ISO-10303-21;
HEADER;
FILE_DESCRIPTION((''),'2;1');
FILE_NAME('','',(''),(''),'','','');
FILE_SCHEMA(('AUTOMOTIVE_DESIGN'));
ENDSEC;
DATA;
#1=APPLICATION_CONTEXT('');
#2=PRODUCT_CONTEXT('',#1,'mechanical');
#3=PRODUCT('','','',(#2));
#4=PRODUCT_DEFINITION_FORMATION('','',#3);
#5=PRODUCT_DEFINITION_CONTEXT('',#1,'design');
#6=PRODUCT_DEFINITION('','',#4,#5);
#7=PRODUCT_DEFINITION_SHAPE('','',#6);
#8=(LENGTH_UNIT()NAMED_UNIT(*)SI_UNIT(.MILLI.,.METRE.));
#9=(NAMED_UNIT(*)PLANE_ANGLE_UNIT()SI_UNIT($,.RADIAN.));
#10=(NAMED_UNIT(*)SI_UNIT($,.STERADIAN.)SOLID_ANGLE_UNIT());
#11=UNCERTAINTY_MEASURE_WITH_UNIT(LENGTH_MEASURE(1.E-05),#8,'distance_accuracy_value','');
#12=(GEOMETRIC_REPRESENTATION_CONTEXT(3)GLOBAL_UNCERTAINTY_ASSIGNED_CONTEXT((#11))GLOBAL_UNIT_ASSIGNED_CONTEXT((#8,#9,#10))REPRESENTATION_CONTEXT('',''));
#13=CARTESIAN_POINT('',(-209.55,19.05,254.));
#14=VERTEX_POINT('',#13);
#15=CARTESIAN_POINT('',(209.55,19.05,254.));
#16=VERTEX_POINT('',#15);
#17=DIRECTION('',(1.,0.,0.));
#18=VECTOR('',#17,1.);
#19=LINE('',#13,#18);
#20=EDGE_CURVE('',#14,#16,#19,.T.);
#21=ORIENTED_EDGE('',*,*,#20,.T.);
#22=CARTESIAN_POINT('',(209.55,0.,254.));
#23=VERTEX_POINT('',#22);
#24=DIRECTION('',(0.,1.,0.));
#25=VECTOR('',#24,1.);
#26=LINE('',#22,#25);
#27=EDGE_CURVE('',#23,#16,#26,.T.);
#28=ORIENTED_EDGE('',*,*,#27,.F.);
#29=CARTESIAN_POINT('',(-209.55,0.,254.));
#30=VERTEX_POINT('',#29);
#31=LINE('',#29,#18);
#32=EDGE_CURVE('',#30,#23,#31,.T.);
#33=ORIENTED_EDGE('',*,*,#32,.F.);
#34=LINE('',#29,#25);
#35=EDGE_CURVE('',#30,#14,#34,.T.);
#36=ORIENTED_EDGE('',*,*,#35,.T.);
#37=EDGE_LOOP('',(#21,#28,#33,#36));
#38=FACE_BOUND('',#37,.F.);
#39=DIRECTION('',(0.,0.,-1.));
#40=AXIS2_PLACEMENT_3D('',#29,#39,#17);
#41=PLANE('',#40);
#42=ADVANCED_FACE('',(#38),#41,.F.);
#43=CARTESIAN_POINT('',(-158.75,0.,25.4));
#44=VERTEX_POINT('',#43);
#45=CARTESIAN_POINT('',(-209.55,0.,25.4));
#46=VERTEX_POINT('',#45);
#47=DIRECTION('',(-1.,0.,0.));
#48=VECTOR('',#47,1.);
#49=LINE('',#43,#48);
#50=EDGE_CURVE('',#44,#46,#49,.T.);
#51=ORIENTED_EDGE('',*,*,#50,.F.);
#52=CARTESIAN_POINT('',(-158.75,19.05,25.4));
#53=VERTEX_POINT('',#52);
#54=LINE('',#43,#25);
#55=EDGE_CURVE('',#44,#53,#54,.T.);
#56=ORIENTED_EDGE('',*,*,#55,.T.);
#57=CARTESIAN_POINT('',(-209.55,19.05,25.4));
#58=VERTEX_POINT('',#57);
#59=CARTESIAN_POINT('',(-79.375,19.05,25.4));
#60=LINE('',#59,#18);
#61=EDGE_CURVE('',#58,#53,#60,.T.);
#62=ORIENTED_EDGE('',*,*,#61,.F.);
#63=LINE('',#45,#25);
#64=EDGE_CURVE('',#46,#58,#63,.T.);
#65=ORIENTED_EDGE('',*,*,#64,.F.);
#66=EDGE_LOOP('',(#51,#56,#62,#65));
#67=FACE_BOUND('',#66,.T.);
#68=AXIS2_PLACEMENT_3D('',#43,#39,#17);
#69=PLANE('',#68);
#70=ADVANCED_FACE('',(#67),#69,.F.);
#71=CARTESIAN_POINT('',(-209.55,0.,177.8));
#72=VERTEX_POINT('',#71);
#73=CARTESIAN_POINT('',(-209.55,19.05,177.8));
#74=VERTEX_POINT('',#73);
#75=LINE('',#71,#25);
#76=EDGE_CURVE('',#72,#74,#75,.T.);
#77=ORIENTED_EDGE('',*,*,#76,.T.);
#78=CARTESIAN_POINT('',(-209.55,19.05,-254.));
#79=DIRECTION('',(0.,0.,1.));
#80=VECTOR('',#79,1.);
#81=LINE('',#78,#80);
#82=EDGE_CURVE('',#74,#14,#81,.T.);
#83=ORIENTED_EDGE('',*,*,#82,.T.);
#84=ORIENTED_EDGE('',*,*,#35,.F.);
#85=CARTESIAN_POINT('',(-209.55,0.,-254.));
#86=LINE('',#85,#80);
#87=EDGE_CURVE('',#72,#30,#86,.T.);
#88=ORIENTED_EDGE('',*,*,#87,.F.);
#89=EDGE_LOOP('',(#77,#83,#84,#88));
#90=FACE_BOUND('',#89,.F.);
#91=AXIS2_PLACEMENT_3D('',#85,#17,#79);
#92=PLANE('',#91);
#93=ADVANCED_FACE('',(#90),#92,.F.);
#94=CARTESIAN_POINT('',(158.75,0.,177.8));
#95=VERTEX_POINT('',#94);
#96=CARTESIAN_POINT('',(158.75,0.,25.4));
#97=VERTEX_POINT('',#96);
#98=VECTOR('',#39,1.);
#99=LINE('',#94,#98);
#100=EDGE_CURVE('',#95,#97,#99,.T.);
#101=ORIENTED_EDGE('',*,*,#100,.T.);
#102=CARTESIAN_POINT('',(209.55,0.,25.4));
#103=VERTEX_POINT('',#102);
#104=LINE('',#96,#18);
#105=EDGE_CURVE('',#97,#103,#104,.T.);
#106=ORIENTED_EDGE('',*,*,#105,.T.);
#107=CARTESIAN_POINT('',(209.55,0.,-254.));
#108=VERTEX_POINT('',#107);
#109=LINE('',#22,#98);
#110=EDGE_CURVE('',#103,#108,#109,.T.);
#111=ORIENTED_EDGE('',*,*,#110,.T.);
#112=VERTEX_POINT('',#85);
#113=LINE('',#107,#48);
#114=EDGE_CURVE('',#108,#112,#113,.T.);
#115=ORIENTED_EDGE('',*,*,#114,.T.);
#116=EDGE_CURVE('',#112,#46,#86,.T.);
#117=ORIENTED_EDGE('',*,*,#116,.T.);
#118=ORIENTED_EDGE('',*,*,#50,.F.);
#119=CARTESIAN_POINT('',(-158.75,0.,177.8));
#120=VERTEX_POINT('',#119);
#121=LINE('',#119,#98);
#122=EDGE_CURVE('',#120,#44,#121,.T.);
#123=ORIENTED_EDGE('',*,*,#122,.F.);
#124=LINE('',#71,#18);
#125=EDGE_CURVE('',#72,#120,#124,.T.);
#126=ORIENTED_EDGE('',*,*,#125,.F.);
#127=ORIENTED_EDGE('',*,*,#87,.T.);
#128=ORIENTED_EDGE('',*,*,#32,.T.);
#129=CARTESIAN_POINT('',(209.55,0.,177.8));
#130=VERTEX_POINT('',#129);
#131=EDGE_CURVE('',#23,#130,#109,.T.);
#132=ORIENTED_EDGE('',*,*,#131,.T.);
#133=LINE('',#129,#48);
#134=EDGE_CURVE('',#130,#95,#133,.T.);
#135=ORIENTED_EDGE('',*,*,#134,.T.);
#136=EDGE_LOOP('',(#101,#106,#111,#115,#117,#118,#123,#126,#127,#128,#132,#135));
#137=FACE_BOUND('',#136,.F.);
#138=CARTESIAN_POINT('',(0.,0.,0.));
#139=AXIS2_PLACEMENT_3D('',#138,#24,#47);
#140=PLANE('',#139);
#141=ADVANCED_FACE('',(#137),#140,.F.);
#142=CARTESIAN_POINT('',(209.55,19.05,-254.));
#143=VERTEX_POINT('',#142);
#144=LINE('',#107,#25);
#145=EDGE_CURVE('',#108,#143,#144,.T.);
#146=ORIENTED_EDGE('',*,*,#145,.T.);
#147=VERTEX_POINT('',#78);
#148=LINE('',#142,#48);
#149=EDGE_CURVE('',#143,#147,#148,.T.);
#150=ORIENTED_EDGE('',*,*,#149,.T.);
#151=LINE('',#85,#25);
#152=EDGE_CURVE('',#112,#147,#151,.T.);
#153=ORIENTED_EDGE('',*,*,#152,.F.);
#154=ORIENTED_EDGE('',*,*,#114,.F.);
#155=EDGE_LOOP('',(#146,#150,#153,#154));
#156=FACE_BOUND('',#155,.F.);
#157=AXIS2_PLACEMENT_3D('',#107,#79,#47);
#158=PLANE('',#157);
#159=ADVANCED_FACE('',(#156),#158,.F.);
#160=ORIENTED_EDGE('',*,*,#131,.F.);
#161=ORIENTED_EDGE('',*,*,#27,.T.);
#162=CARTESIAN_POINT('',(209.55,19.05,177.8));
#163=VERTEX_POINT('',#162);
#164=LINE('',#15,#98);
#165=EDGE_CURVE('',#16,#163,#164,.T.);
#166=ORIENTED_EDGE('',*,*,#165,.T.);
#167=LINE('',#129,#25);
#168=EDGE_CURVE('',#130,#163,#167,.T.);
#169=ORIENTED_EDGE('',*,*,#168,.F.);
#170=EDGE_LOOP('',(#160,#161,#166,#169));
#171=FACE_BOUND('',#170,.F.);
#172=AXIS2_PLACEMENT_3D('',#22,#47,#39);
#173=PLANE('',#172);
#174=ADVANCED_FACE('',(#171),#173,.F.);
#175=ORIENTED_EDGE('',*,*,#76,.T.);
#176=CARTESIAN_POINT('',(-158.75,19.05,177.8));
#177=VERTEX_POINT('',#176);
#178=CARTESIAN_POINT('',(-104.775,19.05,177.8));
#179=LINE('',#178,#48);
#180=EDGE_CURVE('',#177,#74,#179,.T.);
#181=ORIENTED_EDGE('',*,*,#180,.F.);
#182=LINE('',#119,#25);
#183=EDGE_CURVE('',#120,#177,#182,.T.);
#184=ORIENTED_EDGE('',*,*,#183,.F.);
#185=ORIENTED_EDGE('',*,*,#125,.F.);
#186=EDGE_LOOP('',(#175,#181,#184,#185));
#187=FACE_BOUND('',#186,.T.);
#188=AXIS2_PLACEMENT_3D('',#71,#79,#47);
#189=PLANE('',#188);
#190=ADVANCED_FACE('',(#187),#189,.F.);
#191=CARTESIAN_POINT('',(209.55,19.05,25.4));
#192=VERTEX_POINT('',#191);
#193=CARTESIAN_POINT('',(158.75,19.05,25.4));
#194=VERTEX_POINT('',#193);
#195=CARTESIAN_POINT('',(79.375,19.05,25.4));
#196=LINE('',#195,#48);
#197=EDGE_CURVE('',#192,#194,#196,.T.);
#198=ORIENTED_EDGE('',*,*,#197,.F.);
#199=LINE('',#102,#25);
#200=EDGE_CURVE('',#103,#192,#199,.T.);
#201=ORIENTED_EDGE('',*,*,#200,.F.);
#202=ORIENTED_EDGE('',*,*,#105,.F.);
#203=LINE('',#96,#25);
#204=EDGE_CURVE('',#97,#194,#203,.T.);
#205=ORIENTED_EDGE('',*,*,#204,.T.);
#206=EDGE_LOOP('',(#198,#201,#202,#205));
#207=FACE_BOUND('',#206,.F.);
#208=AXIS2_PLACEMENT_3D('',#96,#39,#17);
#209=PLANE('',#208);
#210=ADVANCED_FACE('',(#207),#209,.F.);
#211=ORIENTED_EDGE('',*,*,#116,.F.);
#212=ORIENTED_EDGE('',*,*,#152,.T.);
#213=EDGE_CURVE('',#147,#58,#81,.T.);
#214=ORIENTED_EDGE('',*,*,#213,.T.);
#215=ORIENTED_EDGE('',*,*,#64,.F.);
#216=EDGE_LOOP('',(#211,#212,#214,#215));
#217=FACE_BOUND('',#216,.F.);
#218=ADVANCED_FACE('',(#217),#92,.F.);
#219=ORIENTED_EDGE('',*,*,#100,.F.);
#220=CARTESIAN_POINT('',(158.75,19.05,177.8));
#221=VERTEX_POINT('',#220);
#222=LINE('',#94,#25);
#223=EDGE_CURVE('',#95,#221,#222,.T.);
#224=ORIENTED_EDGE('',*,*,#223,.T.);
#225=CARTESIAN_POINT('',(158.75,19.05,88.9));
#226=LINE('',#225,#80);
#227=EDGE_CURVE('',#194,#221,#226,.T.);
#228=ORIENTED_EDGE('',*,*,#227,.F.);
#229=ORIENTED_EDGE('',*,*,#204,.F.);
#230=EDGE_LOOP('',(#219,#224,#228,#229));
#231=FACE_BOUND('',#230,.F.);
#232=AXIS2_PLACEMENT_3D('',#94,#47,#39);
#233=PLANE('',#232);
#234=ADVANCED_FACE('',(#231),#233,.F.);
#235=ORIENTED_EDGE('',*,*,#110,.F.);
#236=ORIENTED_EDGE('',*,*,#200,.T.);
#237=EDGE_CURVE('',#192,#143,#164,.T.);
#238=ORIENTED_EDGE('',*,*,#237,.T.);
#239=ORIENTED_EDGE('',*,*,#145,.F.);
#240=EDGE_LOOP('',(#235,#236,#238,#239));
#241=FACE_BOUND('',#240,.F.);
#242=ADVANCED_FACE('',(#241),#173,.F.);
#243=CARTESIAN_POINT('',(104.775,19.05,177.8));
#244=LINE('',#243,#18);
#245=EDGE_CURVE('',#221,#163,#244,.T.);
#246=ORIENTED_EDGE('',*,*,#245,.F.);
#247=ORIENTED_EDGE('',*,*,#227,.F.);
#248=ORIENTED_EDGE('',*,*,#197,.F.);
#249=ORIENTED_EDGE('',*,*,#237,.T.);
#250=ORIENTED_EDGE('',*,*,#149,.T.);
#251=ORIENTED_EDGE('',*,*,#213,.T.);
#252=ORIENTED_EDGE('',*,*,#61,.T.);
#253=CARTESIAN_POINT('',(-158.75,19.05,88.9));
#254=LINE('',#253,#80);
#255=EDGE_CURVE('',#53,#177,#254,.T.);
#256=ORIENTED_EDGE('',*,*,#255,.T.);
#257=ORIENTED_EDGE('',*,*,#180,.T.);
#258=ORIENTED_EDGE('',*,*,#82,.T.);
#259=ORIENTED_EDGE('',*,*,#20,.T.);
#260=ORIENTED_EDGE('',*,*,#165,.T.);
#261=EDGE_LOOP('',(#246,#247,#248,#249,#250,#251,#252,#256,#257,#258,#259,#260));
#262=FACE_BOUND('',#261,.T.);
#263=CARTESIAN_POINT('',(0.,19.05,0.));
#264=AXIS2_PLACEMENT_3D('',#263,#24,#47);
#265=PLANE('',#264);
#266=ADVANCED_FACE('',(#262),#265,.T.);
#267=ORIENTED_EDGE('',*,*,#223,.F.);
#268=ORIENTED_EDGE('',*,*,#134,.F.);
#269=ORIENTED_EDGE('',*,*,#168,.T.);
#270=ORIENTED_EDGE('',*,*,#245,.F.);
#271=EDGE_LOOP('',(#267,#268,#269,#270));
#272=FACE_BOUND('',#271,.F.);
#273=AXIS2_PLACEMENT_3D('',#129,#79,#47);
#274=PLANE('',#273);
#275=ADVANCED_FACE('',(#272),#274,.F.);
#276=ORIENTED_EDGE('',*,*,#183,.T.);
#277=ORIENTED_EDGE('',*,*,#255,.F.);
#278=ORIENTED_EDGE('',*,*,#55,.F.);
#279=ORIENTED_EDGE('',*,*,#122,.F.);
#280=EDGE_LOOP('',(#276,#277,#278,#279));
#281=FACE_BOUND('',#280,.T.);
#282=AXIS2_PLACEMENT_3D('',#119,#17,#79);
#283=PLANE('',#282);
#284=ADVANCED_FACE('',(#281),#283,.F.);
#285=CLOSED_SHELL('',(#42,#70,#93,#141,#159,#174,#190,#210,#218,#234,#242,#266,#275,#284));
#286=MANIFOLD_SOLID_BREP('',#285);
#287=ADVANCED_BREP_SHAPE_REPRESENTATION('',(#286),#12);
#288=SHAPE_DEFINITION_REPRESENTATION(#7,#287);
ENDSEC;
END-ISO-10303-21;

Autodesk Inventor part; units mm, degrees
ref_plane "XZ Plane" through (0, 0, 0) normal (0, 1, 0) x (-1, 0, 0)
ref_plane "XY Plane" through (0, 0, 0) normal (0, 0, 1) x (1, 0, 0)
sketch "Sketch1" plane through (0, 0, 0) normal (0, 1, 0) x (-1, 0, 0)
  line L0 (-209.55, 254) -> (-209.55, -254)
  line L1 (-209.55, -254) -> (209.55, -254)
  line L2 (209.55, -254) -> (209.55, 254)
  line L3 (209.55, 254) -> (-209.55, 254)
  line L4 (-209.55, 254) -> (209.55, -254) construction
  line L5 (-209.55, -254) -> (209.55, 254) construction
  point P0 (0, 0)
  dimension "baseLength" = 508
  dimension "baseWidth" = 419.1
extrude "Extrusion1" add sketch "Sketch1" along normal blind 19.05
sketch "Sketch2" plane through (0, 0, 0) normal (0, -1, 0) x (1, 0, 0)
  line L0 (209.55, 254) -> (209.55, -254) projected
  line L1 (209.55, 177.8) -> (158.75, 177.8)
  line L2 (158.75, 177.8) -> (158.75, 25.4)
  line L3 (158.75, 25.4) -> (209.55, 25.4)
  line L4 (209.55, 25.4) -> (209.55, 177.8)
  line L5 (-209.55, 254) -> (209.55, 254) projected
  point P0 (0, 0)
  dimension "backToEndOfGearBox" = 76.2
  dimension "backToFrontOfGearBox" = 228.6
  dimension "wdithForGearBox" = 50.8
extrude "Extrusion2" cut sketch "Sketch2" against normal through all
mirror "Mirror1" about plane through (0, 0, 0) normal (1, 0, 0) of "Extrusion2"
properties part number "BasePlate" material "Wood (Walnut)"
